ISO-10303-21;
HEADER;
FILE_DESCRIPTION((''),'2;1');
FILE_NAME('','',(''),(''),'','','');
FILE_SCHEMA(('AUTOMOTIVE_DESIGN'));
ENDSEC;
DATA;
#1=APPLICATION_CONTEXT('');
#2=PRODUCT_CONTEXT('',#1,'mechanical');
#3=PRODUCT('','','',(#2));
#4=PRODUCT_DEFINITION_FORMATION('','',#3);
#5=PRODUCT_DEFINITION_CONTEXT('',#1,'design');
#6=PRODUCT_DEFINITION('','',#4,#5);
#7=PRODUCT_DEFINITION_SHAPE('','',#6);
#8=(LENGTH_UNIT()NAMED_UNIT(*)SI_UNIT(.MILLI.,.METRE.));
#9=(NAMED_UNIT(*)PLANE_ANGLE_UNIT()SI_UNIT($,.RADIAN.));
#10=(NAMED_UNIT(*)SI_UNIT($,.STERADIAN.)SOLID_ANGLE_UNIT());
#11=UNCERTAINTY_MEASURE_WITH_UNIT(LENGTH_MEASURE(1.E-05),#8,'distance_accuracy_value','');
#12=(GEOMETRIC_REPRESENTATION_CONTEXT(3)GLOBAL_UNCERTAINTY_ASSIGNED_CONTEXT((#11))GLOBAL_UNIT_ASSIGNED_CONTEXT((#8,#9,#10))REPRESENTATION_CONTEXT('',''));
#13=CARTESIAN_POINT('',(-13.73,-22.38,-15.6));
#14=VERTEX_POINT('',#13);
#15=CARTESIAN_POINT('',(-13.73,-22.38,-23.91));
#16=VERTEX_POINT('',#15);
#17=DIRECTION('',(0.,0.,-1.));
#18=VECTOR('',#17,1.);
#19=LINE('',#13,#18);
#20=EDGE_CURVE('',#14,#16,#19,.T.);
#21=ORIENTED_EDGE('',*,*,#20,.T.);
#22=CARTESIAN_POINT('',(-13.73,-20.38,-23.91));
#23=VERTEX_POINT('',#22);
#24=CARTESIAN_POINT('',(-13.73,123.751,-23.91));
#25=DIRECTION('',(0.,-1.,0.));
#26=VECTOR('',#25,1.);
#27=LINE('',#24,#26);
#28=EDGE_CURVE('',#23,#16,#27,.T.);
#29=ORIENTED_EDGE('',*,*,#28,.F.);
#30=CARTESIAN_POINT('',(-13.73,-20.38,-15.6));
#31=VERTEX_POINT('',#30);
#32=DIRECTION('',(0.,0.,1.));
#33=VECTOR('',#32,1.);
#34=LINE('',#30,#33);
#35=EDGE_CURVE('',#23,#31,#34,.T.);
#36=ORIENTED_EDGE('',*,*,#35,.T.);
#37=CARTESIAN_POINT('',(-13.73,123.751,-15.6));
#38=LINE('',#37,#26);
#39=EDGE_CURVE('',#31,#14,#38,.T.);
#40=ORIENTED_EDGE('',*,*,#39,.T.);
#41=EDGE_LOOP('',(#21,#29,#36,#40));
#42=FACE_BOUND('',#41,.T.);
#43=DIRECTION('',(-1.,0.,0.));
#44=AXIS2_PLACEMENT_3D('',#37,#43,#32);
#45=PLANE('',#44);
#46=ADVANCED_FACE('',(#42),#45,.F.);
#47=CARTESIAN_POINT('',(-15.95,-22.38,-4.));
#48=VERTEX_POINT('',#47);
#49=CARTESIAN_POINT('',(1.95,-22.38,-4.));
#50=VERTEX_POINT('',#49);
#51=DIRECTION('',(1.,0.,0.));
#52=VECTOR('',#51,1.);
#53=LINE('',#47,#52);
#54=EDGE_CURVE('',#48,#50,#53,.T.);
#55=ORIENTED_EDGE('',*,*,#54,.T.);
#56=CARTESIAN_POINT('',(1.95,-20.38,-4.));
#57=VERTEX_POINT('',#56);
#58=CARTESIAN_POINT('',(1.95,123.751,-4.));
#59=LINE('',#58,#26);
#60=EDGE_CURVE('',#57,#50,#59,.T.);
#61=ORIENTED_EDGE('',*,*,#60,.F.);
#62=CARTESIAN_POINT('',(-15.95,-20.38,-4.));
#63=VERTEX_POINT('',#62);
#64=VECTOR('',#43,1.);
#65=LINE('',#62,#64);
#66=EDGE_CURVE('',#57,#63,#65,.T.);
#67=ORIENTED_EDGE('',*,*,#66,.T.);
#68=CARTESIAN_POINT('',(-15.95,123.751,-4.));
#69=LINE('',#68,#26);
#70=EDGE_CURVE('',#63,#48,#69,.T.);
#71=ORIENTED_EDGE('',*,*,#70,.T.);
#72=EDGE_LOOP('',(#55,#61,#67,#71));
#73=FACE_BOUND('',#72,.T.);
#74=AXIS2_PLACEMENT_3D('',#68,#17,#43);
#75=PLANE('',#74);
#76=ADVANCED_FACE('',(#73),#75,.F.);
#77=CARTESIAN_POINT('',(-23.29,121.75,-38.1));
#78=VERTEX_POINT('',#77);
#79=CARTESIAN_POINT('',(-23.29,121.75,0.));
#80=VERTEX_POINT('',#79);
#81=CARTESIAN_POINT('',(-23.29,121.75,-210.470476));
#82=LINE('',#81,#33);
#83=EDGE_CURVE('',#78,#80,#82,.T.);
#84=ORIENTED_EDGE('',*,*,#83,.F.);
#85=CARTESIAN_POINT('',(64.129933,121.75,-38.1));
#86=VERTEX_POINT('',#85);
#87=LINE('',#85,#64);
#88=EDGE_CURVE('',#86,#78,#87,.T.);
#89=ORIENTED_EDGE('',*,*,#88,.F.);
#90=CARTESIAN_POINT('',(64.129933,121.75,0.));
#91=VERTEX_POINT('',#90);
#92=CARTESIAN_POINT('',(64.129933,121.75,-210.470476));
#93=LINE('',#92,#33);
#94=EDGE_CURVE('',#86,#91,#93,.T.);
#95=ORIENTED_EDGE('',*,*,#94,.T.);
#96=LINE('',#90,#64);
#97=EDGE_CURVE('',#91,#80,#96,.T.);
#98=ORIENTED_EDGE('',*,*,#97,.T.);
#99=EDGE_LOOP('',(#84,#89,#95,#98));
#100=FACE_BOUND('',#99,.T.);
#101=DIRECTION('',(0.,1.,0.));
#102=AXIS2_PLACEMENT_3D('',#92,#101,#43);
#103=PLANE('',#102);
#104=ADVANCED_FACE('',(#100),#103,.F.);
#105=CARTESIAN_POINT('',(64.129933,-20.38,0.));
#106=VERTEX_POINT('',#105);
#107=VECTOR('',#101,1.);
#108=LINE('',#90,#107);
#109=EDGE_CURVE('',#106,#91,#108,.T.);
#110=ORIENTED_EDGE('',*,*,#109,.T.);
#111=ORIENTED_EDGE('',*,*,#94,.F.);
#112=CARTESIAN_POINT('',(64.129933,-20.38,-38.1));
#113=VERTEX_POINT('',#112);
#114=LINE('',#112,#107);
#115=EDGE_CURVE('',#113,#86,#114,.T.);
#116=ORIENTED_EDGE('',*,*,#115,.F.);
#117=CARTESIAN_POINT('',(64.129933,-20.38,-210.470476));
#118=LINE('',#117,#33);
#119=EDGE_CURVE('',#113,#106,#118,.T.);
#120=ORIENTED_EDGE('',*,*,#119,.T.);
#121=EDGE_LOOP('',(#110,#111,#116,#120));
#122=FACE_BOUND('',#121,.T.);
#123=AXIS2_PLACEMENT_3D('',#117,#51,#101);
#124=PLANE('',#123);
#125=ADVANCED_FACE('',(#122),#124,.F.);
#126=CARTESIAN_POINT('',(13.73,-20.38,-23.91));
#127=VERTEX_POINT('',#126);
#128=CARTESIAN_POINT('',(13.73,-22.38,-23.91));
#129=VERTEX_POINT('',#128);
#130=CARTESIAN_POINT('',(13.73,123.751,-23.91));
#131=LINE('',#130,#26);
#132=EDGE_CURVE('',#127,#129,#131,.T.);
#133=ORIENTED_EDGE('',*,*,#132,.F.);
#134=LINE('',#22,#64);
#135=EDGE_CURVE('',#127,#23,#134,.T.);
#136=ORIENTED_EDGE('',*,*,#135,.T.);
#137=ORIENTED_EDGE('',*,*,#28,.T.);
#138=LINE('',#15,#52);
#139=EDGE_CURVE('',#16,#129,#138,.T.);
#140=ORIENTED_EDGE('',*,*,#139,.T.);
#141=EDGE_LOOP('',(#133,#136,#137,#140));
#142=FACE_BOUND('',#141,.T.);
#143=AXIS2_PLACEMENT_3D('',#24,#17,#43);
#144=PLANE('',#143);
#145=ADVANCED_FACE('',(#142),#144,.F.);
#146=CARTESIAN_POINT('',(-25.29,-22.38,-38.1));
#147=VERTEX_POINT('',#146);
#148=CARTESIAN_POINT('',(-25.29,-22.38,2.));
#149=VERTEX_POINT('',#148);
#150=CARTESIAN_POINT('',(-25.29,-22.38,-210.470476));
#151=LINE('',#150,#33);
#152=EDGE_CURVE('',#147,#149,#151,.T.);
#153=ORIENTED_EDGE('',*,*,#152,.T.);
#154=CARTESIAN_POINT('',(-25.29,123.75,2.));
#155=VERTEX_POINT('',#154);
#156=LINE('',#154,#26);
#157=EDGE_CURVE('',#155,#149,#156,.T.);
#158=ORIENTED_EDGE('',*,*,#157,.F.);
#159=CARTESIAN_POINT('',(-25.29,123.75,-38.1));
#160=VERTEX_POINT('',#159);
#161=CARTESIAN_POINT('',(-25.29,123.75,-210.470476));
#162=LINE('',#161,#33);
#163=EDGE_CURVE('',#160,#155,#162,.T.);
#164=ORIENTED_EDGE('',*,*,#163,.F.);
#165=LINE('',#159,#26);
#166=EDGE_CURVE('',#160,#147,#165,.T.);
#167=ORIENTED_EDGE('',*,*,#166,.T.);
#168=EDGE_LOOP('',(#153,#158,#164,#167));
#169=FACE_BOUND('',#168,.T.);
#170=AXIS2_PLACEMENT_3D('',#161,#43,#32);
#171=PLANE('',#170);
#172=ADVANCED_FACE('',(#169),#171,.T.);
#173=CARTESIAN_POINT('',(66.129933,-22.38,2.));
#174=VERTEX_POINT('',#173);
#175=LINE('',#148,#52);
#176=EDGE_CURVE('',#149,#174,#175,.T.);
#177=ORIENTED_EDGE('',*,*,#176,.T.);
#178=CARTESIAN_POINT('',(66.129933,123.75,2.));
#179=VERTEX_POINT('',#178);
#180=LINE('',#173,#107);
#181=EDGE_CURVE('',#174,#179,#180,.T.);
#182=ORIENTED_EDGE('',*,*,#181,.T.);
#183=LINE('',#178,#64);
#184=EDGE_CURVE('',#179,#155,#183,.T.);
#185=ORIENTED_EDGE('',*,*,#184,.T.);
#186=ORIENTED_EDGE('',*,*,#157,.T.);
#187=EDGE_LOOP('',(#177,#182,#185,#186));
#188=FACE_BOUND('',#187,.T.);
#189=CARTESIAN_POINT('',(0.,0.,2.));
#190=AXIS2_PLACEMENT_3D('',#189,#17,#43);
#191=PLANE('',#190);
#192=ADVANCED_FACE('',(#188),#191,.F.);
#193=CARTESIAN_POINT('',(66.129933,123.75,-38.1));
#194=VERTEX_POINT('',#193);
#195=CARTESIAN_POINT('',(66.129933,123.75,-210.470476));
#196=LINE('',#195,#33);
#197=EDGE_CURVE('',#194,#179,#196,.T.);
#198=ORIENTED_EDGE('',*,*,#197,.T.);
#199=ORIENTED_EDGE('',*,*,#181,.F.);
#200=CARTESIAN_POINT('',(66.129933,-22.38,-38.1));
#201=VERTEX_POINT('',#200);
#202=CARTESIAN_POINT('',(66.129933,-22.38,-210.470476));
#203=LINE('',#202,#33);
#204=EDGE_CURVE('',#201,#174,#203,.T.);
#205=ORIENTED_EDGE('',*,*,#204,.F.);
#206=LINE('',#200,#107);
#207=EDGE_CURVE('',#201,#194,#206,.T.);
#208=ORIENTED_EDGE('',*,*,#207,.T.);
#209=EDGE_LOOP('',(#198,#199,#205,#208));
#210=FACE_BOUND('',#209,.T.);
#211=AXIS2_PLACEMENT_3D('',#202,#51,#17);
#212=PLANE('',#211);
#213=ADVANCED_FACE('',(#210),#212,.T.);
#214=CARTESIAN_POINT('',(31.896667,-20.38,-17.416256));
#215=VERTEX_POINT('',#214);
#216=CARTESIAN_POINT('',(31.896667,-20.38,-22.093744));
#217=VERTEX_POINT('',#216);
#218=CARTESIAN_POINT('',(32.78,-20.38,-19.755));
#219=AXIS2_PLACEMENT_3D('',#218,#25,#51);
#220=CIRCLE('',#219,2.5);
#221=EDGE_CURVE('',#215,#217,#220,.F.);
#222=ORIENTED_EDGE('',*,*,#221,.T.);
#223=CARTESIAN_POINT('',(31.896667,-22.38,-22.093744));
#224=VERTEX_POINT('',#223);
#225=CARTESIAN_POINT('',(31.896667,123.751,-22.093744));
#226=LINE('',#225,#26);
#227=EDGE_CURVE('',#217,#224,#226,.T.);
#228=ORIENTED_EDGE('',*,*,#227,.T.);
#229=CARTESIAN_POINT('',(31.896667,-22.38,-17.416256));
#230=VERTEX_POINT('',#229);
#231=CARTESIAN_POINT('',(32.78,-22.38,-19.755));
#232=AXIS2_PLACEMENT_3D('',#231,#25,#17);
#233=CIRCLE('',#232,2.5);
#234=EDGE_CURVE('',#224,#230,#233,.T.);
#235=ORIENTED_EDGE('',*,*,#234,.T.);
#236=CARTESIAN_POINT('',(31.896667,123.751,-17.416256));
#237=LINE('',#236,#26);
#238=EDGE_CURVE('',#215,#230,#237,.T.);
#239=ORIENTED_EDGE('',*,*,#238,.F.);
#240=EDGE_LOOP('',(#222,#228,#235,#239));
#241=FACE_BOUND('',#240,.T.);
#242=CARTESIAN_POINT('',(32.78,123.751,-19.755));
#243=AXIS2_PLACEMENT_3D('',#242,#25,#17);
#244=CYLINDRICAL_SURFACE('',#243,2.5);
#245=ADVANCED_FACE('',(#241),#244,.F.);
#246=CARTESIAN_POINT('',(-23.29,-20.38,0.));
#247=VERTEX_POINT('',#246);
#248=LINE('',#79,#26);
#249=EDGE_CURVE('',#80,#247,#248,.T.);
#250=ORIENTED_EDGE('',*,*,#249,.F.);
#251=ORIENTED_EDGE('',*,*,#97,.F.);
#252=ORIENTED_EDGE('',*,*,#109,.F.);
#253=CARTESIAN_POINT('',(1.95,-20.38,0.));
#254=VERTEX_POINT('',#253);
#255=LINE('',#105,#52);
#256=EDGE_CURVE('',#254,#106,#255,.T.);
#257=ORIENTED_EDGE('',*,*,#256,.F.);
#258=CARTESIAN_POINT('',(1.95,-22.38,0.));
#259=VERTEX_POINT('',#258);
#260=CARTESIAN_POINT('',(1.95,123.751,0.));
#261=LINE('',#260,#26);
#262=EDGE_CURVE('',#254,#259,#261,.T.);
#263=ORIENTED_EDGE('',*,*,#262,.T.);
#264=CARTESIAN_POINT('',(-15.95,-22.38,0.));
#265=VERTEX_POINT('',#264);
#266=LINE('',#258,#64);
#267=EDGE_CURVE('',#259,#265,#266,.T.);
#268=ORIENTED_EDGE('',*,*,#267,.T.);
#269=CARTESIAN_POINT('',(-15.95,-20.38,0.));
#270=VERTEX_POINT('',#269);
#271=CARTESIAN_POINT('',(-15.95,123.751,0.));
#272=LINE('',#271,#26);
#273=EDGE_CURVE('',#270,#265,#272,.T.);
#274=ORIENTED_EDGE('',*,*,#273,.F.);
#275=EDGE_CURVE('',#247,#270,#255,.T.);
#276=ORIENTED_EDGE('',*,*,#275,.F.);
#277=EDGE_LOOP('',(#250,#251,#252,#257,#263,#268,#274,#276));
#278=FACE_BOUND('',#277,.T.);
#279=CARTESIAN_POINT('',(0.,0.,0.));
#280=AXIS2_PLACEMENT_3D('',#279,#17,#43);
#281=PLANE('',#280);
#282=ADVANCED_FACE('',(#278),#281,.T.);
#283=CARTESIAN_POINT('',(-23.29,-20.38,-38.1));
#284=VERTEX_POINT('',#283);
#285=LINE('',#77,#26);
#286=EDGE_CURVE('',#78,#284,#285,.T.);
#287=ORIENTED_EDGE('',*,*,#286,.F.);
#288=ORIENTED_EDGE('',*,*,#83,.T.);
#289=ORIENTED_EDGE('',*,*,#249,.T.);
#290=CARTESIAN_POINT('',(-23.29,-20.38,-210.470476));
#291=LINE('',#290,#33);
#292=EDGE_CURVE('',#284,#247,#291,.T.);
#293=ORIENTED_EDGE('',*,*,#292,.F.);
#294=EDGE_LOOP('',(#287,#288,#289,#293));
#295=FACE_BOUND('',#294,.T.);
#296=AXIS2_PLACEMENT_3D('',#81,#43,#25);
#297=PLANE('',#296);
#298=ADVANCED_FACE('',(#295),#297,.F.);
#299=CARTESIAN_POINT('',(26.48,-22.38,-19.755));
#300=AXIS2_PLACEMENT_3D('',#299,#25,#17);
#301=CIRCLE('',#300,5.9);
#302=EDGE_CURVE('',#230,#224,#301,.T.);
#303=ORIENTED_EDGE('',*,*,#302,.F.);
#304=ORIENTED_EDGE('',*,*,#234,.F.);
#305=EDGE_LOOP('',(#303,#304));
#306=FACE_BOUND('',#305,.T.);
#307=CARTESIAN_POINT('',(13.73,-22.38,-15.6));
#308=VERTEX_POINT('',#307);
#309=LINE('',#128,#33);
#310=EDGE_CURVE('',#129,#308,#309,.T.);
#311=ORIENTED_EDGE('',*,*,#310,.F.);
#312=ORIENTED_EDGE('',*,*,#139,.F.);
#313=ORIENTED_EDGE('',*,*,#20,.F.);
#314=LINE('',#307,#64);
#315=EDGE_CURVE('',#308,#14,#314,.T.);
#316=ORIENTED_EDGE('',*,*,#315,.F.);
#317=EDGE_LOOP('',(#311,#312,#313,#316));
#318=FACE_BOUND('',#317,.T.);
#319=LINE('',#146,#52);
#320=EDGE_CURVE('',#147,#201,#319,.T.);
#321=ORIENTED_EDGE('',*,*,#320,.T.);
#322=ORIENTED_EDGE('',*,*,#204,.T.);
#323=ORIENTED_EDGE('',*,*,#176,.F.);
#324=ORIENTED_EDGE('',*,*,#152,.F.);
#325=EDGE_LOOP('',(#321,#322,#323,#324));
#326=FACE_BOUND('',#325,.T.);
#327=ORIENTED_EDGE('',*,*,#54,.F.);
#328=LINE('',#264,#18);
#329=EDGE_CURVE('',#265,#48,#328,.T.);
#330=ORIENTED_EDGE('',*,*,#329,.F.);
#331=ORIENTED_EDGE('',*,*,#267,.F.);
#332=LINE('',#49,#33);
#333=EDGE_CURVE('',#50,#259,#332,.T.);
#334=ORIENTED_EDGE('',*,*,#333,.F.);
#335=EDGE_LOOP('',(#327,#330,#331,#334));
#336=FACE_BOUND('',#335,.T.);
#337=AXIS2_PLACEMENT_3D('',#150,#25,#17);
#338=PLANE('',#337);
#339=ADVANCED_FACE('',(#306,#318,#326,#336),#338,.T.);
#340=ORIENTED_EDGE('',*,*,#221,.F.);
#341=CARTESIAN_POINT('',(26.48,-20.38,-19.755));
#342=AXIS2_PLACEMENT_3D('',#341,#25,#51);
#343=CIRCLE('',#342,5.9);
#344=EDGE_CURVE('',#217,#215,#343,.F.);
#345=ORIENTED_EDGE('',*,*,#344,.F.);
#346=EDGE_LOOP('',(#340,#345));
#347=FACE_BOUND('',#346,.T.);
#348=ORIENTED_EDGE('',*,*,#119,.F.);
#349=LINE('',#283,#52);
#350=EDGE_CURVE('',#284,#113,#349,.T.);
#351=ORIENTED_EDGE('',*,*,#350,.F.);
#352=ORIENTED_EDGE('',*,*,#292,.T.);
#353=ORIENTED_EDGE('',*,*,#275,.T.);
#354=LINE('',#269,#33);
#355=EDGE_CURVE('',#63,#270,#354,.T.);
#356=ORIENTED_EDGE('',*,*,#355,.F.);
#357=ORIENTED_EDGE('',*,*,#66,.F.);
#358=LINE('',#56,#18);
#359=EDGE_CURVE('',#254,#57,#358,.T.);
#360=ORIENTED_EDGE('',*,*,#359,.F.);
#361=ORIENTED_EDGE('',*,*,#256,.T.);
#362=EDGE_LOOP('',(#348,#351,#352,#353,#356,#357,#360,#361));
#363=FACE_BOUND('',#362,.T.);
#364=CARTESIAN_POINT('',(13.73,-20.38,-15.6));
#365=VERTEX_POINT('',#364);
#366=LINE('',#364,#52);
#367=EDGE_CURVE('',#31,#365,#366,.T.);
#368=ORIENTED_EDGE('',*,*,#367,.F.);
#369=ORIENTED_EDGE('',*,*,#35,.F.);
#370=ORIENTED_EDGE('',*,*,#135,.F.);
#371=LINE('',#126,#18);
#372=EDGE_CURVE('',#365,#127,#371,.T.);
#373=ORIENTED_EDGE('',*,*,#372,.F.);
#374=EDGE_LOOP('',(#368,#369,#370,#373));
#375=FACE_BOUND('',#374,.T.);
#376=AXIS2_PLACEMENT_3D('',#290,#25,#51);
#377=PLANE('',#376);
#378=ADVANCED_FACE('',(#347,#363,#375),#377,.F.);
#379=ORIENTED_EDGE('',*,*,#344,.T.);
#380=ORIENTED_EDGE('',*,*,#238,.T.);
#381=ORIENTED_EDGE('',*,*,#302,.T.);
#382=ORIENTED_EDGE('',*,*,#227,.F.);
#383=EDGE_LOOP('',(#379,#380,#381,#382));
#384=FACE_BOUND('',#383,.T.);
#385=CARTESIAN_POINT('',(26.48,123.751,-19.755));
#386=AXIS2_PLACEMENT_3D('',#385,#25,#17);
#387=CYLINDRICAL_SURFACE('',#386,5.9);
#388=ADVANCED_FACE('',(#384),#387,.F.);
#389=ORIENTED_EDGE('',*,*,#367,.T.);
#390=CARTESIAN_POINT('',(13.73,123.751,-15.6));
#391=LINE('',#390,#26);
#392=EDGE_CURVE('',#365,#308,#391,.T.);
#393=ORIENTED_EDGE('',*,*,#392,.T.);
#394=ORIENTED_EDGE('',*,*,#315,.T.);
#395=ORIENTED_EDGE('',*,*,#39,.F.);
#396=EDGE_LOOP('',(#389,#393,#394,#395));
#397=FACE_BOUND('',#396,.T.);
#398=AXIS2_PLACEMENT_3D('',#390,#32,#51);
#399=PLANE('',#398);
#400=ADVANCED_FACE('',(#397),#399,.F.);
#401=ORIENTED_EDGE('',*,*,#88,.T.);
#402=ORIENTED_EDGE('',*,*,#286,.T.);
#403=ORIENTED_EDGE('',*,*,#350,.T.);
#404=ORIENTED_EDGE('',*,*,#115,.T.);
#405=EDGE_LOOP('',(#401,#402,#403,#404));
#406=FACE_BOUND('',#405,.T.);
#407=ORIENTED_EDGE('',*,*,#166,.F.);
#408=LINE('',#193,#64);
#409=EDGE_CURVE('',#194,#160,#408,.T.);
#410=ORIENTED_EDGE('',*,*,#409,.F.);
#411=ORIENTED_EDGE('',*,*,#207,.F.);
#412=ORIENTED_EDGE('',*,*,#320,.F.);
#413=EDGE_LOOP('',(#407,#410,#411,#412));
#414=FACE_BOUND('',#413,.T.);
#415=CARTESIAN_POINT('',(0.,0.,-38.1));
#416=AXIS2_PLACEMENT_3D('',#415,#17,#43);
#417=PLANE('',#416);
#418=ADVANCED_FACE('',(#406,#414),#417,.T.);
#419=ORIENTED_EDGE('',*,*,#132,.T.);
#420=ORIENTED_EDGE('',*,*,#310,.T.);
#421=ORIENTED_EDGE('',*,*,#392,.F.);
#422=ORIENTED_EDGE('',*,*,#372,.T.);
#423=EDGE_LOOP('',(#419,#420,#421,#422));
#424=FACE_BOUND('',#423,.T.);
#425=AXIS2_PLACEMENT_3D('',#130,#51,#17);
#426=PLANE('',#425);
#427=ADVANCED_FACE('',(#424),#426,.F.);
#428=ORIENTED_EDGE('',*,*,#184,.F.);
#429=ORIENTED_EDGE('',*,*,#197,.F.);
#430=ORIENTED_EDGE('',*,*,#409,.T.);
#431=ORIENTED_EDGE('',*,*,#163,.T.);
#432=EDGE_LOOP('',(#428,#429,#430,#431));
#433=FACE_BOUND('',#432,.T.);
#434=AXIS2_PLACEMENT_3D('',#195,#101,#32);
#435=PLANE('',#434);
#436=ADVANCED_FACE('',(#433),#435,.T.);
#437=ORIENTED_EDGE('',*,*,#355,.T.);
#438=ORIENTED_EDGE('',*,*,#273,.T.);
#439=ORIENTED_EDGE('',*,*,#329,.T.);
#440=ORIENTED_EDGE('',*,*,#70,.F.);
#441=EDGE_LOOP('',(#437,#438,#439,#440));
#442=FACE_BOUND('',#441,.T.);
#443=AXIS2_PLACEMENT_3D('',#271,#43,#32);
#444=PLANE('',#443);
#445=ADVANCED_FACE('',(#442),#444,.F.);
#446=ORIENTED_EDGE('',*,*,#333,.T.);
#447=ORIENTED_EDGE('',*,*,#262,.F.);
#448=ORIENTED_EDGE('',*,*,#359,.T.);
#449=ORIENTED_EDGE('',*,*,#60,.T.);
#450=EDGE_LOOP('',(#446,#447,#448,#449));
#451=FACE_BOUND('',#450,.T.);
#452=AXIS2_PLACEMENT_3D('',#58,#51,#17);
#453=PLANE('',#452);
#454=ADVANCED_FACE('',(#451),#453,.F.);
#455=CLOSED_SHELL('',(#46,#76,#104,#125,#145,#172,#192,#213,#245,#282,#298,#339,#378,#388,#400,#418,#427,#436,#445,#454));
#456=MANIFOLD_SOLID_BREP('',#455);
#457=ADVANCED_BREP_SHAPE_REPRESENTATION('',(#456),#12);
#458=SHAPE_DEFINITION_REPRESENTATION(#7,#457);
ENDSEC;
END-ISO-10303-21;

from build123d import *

# Parameters (mm, degrees)
SKETCH_1_W          = 87.41993269
SKETCH_1_H          = 142.13
EXTRUDE_1_DEPTH     = 2
SKETCH_3_W          = 91.41993269
SKETCH_3_H          = 146.13
SKETCH_3_W_2        = 87.41993269
SKETCH_3_H_2        = 142.13
EXTRUDE_2_DEPTH     = 40.1
CUT_EXTRUDE_1_REACH = 166.86
SKETCH_4_W          = 27.46
SKETCH_4_H          = 8.31
SKETCH_4_W_2        = 17.9
SKETCH_4_H_2        = 4


with BuildPart() as part:
    # 草图1 → 凸台-拉伸1 (new body)
    with BuildSketch(Plane.XY):
        with Locations((20.419966345, 50.685)):
            Rectangle(SKETCH_1_W, SKETCH_1_H)
    extrude(amount=EXTRUDE_1_DEPTH)

    # 草图3 → 凸台-拉伸2 (add)
    with BuildSketch(Plane.XY.offset(2)):
        with Locations((20.419966345, 50.685)):
            Rectangle(SKETCH_3_W, SKETCH_3_H)
        with Locations((20.419966345, 50.685)):
            Rectangle(SKETCH_3_W_2, SKETCH_3_H_2, mode=Mode.SUBTRACT)
    extrude(amount=-EXTRUDE_2_DEPTH)

    # 草图4 → 切除-拉伸1 (cut, up to next)
    with BuildSketch(Plane.XZ.offset(22.38), mode=Mode.PRIVATE) as cut_extrude_1_sk1:
        with Locations((0, -19.755)):
            Rectangle(SKETCH_4_W, SKETCH_4_H)
    cut_extrude_1_tool1 = extrude(cut_extrude_1_sk1.sketch, amount=-CUT_EXTRUDE_1_REACH, mode=Mode.PRIVATE) & part.part
    # 草图4 → 切除-拉伸1 (cut, up to next)
    with BuildSketch(Plane.XZ.offset(22.38), mode=Mode.PRIVATE) as cut_extrude_1_sk2:
        with Locations((-7, -2)):
            Rectangle(SKETCH_4_W_2, SKETCH_4_H_2)
    cut_extrude_1_tool2 = extrude(cut_extrude_1_sk2.sketch, amount=-CUT_EXTRUDE_1_REACH, mode=Mode.PRIVATE) & part.part
    # 草图4 → 切除-拉伸1 (cut, up to next)
    with BuildSketch(Plane.XZ.offset(22.38), mode=Mode.PRIVATE) as cut_extrude_1_sk3:
        with BuildLine():
            ThreePointArc((31.896666667, -17.416256273), (20.58, -19.755), (31.896666667, -22.093743727))
            ThreePointArc((31.896666667, -22.093743727), (35.28, -19.755), (31.896666667, -17.416256273))
        make_face()
    cut_extrude_1_tool3 = extrude(cut_extrude_1_sk3.sketch, amount=-CUT_EXTRUDE_1_REACH, mode=Mode.PRIVATE) & part.part
    add(cut_extrude_1_tool1.solids().sort_by_distance((0, -22.38, -19.755))[0], mode=Mode.SUBTRACT)
    add(cut_extrude_1_tool2.solids().sort_by_distance((-7, -22.38, -2))[0], mode=Mode.SUBTRACT)
    add(cut_extrude_1_tool3.solids().sort_by_distance((27.210327, -22.38, -19.755))[0], mode=Mode.SUBTRACT)


solid = part.part
